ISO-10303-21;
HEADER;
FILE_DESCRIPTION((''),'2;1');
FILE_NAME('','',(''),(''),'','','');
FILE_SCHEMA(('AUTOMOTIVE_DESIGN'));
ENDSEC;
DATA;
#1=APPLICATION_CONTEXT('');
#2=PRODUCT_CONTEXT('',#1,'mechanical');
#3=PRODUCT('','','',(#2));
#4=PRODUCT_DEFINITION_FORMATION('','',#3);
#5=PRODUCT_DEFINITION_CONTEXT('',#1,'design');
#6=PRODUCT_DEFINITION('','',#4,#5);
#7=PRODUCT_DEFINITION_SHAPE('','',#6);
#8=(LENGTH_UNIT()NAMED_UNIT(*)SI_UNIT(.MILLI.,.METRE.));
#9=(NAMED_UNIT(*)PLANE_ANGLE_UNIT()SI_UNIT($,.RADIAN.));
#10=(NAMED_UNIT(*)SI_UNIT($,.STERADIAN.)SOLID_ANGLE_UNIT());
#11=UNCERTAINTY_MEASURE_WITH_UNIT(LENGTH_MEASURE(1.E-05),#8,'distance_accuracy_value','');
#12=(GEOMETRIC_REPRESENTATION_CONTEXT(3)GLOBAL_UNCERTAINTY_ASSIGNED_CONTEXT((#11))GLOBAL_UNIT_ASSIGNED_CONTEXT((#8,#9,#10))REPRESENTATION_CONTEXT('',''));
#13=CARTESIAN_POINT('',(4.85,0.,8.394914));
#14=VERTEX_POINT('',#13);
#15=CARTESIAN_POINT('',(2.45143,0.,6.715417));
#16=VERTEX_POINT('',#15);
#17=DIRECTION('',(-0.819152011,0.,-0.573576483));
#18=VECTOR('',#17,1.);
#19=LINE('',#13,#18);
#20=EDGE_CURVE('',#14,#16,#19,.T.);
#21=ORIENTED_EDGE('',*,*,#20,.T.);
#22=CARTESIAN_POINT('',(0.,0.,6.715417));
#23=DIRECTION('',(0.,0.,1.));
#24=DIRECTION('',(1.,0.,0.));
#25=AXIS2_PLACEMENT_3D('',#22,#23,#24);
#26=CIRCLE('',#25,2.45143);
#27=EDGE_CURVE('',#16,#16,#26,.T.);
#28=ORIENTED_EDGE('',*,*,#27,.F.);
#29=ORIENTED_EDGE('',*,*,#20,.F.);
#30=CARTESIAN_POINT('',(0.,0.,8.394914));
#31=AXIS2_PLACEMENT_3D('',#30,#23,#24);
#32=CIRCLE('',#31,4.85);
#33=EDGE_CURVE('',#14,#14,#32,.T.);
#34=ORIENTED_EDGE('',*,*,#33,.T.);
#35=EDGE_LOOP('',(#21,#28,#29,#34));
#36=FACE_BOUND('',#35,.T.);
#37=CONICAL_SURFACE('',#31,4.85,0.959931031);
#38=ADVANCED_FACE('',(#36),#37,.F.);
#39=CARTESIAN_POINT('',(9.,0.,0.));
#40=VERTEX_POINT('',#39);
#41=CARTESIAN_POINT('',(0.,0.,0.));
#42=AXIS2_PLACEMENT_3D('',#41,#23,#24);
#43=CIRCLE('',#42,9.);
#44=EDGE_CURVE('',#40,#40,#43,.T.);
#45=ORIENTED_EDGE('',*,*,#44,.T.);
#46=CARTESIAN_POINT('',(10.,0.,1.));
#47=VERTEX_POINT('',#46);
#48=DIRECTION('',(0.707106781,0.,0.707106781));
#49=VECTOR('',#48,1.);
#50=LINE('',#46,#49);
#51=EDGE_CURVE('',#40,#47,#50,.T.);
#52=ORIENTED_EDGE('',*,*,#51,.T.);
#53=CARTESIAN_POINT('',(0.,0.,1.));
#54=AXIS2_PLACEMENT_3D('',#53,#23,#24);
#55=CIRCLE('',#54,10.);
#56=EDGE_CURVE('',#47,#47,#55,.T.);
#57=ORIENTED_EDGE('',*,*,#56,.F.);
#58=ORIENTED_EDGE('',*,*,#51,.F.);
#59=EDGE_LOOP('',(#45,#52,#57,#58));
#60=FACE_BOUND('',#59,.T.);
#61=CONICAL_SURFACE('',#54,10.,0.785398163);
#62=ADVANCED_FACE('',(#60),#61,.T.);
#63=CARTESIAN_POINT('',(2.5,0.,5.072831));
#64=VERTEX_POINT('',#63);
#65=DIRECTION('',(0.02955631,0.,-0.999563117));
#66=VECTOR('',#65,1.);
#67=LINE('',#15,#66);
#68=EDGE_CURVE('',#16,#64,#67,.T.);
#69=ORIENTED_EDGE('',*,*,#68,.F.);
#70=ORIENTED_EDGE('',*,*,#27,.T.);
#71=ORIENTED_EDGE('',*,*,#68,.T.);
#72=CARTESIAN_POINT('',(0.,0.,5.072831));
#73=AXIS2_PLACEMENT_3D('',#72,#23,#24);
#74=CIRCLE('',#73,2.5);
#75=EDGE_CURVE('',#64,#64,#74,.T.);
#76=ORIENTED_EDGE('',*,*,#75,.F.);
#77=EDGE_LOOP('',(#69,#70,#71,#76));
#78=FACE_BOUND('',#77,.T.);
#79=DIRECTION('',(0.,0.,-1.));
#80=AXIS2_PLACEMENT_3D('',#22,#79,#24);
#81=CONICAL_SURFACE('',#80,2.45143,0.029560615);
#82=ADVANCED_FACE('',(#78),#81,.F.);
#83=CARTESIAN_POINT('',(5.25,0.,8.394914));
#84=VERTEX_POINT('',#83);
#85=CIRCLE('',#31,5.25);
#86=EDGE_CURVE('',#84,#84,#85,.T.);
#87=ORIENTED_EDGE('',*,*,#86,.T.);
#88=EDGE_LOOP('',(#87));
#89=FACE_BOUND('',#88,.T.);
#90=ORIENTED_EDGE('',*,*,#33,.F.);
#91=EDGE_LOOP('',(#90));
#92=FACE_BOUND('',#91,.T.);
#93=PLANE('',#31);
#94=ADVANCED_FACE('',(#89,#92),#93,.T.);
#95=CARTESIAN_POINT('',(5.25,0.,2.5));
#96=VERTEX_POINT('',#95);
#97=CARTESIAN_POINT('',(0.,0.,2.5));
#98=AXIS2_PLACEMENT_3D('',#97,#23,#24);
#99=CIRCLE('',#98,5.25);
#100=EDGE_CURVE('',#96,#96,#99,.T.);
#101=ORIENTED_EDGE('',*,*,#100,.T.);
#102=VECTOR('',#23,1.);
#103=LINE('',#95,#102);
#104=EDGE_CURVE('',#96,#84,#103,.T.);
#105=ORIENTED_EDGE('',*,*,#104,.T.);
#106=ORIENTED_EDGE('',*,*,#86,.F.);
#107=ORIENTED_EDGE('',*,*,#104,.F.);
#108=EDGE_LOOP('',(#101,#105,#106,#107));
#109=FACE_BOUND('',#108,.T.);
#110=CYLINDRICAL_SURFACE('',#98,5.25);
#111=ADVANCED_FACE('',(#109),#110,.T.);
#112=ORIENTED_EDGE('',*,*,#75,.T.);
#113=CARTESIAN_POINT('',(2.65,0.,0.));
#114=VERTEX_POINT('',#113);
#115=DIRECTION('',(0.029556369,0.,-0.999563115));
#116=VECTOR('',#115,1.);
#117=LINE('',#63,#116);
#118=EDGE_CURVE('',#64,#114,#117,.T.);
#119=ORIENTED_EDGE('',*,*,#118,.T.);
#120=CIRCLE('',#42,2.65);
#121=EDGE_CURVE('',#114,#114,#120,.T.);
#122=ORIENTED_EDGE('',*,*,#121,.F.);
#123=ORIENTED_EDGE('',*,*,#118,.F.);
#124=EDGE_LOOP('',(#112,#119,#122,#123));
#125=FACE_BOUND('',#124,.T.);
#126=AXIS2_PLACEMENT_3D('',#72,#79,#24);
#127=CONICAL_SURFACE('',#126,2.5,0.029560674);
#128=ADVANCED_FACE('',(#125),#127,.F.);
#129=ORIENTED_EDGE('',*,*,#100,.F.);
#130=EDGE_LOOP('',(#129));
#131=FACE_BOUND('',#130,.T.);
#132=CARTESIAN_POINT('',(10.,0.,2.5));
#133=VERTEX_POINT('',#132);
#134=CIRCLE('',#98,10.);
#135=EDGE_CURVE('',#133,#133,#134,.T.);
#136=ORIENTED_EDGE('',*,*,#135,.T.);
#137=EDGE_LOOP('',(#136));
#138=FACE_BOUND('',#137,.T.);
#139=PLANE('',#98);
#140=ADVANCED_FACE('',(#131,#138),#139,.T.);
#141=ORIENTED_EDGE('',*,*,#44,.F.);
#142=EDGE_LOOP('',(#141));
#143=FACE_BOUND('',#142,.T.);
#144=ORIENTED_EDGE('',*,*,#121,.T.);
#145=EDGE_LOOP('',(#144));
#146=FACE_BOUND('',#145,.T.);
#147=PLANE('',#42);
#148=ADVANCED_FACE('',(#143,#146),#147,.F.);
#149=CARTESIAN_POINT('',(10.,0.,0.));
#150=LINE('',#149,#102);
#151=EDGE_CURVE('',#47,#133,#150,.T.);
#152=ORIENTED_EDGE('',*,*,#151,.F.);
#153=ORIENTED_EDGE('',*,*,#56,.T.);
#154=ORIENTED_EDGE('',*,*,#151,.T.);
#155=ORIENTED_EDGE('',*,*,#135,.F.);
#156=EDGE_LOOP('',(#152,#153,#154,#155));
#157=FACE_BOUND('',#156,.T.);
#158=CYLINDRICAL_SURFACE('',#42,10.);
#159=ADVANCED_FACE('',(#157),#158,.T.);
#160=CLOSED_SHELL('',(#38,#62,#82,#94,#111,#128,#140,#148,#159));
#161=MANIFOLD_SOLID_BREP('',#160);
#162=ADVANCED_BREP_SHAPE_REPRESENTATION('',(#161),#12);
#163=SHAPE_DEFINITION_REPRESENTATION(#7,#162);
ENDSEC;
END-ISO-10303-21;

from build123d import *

# Parameters (mm, degrees)
F2_SIZE = 1


with BuildPart() as f1:
    # F0 (on Front) → F1 (revolve)
    with BuildSketch(Plane.XZ):
        Polygon((5.25, 8.394914), (4.85, 8.394914), (2.45143, 6.715417), (2.5, 5.072831), (2.65, 0), (10, 0), (10, 2.5), (5.25, 2.5), align=None)
    revolve(axis=Axis((0, 0, 3.75), (0, 0, 1)))

    # F2
    f2_edges = [f1.edges().sort_by_distance(p)[0] for p in [
        (-10, 0, 0),
    ]]
    chamfer(f2_edges, length=F2_SIZE)


solid = f1.part
